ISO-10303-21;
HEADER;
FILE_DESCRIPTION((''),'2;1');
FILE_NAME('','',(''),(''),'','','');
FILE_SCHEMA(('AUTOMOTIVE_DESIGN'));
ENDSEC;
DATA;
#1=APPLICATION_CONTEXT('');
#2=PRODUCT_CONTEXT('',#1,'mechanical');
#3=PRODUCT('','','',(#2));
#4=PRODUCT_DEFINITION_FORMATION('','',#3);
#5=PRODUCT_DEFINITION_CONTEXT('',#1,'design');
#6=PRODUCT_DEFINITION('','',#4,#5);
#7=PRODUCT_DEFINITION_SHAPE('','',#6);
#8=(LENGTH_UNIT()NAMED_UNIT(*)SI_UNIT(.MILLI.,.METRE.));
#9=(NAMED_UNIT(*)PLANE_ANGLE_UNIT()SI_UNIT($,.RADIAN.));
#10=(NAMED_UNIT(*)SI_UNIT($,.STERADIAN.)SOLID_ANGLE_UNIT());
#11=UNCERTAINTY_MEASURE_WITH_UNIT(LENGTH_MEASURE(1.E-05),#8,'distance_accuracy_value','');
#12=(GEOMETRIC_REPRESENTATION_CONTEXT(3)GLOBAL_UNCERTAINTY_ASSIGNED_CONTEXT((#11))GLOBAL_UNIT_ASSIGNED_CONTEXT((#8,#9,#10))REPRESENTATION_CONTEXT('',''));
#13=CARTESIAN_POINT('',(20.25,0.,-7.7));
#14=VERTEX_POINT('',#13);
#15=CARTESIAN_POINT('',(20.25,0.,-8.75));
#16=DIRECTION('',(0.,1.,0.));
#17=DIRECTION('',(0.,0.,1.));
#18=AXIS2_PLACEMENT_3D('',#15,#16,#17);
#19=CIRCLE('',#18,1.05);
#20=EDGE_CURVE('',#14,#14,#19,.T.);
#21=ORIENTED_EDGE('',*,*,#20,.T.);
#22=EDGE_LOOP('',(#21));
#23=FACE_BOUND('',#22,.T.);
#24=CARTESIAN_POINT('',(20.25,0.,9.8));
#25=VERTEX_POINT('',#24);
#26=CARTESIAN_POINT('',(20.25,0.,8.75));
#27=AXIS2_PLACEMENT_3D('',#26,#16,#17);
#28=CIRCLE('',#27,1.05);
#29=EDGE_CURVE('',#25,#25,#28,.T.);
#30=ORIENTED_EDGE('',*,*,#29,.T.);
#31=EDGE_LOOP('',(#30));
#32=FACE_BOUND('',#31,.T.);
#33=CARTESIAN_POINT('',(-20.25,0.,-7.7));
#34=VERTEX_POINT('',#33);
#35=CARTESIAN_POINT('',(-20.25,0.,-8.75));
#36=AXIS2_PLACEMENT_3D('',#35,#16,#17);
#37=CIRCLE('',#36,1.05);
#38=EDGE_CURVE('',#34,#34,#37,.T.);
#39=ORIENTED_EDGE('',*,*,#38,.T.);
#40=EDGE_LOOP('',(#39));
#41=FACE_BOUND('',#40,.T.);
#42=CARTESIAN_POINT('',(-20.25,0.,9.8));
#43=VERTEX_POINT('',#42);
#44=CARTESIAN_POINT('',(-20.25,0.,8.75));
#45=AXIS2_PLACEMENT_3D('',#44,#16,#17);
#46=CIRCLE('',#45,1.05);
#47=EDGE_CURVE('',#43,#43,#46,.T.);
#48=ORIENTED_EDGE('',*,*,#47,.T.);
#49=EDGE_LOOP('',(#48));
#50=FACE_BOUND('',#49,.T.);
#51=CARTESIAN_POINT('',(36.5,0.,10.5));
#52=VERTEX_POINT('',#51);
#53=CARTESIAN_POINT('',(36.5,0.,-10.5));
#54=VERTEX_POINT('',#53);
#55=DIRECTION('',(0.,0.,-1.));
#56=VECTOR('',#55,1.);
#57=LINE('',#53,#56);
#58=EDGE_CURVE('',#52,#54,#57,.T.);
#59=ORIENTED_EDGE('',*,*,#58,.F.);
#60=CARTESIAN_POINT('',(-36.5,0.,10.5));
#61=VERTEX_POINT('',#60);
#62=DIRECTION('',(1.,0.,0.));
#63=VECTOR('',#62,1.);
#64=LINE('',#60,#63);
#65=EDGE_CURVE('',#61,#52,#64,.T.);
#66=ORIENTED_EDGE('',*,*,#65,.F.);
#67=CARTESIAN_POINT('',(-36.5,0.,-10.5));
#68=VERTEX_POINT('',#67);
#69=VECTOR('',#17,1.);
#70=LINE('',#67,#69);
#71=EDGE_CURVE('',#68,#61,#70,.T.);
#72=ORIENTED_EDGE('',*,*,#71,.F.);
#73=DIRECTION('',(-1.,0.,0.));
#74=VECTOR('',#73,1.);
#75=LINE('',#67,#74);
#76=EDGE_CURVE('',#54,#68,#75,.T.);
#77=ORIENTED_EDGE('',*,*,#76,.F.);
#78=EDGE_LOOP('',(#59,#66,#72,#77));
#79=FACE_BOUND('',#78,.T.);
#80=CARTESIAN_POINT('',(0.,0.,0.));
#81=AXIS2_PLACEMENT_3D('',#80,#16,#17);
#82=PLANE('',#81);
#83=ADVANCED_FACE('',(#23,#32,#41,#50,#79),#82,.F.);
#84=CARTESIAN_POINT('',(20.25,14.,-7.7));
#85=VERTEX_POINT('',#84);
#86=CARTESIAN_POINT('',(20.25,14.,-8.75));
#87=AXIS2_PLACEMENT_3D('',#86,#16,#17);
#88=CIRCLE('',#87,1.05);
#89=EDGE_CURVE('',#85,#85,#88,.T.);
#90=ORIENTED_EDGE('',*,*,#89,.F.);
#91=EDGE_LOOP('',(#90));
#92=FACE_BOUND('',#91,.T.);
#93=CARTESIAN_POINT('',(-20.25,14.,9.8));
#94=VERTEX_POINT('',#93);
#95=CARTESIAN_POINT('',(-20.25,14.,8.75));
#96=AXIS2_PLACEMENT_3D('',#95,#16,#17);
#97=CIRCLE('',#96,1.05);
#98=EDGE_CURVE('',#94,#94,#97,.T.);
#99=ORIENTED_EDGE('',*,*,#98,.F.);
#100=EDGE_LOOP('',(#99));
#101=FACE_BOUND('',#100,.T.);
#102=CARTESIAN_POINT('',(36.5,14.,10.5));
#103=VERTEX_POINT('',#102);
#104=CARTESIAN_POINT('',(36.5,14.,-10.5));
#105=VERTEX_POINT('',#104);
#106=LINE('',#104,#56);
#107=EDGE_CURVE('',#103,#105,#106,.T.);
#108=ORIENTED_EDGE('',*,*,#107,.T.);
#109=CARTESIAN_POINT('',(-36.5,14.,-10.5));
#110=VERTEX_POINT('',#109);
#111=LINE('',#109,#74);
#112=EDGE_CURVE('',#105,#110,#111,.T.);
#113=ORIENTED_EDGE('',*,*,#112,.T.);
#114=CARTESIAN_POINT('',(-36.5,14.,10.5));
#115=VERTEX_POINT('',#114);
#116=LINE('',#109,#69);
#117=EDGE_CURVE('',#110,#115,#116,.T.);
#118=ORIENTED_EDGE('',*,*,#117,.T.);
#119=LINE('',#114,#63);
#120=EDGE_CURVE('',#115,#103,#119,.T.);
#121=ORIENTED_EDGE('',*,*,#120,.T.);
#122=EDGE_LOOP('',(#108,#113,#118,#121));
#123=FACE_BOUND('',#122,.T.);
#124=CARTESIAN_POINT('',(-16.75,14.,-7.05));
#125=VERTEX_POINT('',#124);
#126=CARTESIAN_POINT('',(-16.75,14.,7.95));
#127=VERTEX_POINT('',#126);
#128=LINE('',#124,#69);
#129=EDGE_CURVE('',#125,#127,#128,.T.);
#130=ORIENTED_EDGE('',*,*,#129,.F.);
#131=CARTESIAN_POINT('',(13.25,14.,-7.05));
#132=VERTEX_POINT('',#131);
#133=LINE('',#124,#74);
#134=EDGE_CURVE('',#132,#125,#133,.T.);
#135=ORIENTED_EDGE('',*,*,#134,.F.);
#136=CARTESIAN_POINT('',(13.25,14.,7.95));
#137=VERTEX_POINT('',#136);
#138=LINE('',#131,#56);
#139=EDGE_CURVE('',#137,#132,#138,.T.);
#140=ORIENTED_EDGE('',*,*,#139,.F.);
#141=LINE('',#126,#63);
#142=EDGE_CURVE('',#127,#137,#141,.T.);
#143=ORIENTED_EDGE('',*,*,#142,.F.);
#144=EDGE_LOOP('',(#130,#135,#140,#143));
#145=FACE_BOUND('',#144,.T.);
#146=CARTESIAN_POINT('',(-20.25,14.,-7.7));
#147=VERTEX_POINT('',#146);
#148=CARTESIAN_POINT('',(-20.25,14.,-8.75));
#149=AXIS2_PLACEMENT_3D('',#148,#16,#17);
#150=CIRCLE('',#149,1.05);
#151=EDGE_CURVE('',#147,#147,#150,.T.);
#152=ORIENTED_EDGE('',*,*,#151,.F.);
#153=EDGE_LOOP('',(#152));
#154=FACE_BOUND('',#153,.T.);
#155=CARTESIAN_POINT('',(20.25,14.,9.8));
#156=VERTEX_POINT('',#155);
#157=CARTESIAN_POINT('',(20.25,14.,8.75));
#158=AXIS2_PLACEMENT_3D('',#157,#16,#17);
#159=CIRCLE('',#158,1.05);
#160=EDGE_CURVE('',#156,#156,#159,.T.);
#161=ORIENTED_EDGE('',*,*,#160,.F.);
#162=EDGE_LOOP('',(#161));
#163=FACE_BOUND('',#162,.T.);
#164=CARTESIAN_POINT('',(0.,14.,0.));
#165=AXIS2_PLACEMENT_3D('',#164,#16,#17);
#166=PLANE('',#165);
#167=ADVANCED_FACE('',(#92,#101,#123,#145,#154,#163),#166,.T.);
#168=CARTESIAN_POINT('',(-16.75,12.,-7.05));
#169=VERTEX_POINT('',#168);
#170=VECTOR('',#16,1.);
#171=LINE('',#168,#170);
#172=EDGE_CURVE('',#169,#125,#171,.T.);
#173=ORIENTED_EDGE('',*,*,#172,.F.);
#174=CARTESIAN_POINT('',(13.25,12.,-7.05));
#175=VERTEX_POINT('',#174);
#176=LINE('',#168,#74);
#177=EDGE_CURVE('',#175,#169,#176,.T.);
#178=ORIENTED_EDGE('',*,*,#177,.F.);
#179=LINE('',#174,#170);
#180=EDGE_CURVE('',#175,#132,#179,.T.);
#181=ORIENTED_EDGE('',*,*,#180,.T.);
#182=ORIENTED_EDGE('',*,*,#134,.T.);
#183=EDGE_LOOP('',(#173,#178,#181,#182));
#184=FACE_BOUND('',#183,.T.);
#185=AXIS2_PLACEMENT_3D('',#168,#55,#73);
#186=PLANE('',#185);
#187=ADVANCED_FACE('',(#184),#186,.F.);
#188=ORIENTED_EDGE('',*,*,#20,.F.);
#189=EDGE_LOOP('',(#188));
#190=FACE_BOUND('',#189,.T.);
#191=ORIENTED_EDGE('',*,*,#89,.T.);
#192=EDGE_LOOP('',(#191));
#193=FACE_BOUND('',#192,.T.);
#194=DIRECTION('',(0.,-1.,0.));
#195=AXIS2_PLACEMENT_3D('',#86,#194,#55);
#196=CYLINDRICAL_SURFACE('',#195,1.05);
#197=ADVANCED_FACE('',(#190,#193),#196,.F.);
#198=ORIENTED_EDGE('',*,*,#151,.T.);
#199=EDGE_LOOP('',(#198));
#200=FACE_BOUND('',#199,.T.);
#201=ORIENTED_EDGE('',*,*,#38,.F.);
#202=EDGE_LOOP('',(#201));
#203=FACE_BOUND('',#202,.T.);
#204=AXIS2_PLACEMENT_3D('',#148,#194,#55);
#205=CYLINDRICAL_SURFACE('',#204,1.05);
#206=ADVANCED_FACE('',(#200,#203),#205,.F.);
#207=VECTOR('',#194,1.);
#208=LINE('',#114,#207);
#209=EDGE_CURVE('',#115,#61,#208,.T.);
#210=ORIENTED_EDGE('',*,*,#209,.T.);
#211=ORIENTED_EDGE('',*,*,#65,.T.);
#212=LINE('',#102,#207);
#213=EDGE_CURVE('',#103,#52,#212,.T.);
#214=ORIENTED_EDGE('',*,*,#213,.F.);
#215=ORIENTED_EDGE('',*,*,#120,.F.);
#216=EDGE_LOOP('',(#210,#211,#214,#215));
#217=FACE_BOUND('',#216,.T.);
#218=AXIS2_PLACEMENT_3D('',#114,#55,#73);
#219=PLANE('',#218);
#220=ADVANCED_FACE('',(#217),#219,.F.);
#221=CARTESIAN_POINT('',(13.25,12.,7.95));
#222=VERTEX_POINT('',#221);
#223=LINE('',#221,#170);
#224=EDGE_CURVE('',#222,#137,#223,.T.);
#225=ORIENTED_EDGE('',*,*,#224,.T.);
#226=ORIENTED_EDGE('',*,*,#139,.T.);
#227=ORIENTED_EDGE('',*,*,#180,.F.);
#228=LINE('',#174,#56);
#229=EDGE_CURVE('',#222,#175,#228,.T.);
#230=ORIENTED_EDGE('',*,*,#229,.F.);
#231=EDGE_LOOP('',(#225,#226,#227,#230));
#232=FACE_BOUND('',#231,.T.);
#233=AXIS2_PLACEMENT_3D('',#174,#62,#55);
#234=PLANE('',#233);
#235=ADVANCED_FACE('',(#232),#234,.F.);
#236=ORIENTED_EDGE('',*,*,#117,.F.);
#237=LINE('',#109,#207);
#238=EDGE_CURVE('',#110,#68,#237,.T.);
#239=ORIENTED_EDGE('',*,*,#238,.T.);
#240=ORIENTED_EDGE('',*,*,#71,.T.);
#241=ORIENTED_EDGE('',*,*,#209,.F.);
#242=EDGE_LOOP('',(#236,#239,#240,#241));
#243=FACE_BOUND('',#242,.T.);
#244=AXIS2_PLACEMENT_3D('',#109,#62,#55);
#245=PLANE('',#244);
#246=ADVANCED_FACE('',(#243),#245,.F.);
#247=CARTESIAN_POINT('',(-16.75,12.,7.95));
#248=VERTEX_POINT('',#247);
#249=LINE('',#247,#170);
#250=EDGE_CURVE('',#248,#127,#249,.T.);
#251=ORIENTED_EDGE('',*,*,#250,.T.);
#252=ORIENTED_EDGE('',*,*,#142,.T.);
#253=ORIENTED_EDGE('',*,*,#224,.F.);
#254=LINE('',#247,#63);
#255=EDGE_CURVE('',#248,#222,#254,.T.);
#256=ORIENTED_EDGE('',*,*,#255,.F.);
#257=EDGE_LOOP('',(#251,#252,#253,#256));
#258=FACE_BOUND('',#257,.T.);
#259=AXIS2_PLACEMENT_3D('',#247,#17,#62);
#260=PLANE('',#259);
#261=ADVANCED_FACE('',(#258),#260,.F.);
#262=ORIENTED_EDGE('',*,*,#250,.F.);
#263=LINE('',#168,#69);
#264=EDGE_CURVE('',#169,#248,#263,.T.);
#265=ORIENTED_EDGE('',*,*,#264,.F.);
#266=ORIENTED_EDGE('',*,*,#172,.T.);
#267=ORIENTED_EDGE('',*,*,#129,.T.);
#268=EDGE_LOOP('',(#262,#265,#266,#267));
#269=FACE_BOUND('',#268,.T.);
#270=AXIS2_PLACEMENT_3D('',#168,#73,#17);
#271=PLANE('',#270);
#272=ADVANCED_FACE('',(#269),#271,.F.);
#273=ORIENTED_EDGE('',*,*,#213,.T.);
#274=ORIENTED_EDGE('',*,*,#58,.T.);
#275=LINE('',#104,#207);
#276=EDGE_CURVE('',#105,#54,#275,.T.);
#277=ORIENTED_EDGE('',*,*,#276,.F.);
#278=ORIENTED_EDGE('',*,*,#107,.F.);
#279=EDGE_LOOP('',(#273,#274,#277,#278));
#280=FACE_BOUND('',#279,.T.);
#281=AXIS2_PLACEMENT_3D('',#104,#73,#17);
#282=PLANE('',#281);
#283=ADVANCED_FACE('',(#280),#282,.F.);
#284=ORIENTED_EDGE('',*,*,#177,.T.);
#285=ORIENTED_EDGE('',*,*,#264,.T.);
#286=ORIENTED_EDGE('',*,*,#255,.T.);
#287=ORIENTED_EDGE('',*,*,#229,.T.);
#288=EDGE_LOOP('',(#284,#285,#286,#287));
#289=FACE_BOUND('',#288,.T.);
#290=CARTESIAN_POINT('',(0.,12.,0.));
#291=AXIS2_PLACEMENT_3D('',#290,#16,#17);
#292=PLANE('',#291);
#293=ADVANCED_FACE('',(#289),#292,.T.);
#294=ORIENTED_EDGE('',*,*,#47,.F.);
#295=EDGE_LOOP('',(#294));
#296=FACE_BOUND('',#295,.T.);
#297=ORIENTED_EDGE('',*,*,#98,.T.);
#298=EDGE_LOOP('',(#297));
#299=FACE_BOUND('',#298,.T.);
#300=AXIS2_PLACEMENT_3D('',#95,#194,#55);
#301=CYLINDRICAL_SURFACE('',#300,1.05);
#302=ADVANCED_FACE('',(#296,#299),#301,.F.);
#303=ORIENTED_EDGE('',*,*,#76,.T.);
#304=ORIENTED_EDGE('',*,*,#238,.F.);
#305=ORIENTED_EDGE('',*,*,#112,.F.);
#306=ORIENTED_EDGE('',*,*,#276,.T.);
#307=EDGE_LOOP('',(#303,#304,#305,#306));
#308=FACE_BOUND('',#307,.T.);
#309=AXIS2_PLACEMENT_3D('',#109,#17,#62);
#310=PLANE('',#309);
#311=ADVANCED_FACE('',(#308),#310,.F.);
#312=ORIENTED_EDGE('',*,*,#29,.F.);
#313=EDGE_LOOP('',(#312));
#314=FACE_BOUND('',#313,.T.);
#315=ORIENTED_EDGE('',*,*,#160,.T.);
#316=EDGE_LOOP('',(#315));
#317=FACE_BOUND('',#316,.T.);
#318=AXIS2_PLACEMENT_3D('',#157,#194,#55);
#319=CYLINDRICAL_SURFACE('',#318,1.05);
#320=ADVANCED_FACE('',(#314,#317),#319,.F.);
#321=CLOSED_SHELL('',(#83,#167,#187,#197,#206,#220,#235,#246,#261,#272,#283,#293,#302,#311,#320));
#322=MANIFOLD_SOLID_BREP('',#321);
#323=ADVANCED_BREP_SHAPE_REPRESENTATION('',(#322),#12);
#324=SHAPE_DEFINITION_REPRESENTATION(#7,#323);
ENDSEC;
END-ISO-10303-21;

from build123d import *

# Parameters (mm, degrees)
SKETCH_1_W          = 73
SKETCH_1_H          = 21
SKETCH_1_R          = 1.05
EXTRUDE_1_DEPTH     = 14
SKETCH_2_W          = 30
SKETCH_2_H          = 15
CUT_EXTRUDE_1_DEPTH = 2


with BuildPart() as part:
    # 草图1 → 凸台-拉伸1 (new body)
    with BuildSketch(Plane(origin=(0, 0, 0), x_dir=(1, 0, 0), z_dir=(0, 1, 0))):
        Rectangle(SKETCH_1_W, SKETCH_1_H)
        with Locations(Location((-20.25, 8.75, 0), (0, 0, 270))):
            Circle(SKETCH_1_R, mode=Mode.SUBTRACT)
        with Locations(Location((20.25, 8.75, 0), (0, 0, 270))):
            Circle(SKETCH_1_R, mode=Mode.SUBTRACT)
        with Locations(Location((20.25, -8.75, 0), (0, 0, 270))):
            Circle(SKETCH_1_R, mode=Mode.SUBTRACT)
        with Locations(Location((-20.25, -8.75, 0), (0, 0, 270))):
            Circle(SKETCH_1_R, mode=Mode.SUBTRACT)
    extrude(amount=EXTRUDE_1_DEPTH)

    # 草图2 → 切除-拉伸1 (cut)
    with BuildSketch(Plane(origin=(0, 14, 0), x_dir=(1, 0, 0), z_dir=(0, 1, 0))):
        with Locations((-1.75, -0.45)):
            Rectangle(SKETCH_2_W, SKETCH_2_H)
    extrude(amount=-CUT_EXTRUDE_1_DEPTH, mode=Mode.SUBTRACT)


solid = part.part
